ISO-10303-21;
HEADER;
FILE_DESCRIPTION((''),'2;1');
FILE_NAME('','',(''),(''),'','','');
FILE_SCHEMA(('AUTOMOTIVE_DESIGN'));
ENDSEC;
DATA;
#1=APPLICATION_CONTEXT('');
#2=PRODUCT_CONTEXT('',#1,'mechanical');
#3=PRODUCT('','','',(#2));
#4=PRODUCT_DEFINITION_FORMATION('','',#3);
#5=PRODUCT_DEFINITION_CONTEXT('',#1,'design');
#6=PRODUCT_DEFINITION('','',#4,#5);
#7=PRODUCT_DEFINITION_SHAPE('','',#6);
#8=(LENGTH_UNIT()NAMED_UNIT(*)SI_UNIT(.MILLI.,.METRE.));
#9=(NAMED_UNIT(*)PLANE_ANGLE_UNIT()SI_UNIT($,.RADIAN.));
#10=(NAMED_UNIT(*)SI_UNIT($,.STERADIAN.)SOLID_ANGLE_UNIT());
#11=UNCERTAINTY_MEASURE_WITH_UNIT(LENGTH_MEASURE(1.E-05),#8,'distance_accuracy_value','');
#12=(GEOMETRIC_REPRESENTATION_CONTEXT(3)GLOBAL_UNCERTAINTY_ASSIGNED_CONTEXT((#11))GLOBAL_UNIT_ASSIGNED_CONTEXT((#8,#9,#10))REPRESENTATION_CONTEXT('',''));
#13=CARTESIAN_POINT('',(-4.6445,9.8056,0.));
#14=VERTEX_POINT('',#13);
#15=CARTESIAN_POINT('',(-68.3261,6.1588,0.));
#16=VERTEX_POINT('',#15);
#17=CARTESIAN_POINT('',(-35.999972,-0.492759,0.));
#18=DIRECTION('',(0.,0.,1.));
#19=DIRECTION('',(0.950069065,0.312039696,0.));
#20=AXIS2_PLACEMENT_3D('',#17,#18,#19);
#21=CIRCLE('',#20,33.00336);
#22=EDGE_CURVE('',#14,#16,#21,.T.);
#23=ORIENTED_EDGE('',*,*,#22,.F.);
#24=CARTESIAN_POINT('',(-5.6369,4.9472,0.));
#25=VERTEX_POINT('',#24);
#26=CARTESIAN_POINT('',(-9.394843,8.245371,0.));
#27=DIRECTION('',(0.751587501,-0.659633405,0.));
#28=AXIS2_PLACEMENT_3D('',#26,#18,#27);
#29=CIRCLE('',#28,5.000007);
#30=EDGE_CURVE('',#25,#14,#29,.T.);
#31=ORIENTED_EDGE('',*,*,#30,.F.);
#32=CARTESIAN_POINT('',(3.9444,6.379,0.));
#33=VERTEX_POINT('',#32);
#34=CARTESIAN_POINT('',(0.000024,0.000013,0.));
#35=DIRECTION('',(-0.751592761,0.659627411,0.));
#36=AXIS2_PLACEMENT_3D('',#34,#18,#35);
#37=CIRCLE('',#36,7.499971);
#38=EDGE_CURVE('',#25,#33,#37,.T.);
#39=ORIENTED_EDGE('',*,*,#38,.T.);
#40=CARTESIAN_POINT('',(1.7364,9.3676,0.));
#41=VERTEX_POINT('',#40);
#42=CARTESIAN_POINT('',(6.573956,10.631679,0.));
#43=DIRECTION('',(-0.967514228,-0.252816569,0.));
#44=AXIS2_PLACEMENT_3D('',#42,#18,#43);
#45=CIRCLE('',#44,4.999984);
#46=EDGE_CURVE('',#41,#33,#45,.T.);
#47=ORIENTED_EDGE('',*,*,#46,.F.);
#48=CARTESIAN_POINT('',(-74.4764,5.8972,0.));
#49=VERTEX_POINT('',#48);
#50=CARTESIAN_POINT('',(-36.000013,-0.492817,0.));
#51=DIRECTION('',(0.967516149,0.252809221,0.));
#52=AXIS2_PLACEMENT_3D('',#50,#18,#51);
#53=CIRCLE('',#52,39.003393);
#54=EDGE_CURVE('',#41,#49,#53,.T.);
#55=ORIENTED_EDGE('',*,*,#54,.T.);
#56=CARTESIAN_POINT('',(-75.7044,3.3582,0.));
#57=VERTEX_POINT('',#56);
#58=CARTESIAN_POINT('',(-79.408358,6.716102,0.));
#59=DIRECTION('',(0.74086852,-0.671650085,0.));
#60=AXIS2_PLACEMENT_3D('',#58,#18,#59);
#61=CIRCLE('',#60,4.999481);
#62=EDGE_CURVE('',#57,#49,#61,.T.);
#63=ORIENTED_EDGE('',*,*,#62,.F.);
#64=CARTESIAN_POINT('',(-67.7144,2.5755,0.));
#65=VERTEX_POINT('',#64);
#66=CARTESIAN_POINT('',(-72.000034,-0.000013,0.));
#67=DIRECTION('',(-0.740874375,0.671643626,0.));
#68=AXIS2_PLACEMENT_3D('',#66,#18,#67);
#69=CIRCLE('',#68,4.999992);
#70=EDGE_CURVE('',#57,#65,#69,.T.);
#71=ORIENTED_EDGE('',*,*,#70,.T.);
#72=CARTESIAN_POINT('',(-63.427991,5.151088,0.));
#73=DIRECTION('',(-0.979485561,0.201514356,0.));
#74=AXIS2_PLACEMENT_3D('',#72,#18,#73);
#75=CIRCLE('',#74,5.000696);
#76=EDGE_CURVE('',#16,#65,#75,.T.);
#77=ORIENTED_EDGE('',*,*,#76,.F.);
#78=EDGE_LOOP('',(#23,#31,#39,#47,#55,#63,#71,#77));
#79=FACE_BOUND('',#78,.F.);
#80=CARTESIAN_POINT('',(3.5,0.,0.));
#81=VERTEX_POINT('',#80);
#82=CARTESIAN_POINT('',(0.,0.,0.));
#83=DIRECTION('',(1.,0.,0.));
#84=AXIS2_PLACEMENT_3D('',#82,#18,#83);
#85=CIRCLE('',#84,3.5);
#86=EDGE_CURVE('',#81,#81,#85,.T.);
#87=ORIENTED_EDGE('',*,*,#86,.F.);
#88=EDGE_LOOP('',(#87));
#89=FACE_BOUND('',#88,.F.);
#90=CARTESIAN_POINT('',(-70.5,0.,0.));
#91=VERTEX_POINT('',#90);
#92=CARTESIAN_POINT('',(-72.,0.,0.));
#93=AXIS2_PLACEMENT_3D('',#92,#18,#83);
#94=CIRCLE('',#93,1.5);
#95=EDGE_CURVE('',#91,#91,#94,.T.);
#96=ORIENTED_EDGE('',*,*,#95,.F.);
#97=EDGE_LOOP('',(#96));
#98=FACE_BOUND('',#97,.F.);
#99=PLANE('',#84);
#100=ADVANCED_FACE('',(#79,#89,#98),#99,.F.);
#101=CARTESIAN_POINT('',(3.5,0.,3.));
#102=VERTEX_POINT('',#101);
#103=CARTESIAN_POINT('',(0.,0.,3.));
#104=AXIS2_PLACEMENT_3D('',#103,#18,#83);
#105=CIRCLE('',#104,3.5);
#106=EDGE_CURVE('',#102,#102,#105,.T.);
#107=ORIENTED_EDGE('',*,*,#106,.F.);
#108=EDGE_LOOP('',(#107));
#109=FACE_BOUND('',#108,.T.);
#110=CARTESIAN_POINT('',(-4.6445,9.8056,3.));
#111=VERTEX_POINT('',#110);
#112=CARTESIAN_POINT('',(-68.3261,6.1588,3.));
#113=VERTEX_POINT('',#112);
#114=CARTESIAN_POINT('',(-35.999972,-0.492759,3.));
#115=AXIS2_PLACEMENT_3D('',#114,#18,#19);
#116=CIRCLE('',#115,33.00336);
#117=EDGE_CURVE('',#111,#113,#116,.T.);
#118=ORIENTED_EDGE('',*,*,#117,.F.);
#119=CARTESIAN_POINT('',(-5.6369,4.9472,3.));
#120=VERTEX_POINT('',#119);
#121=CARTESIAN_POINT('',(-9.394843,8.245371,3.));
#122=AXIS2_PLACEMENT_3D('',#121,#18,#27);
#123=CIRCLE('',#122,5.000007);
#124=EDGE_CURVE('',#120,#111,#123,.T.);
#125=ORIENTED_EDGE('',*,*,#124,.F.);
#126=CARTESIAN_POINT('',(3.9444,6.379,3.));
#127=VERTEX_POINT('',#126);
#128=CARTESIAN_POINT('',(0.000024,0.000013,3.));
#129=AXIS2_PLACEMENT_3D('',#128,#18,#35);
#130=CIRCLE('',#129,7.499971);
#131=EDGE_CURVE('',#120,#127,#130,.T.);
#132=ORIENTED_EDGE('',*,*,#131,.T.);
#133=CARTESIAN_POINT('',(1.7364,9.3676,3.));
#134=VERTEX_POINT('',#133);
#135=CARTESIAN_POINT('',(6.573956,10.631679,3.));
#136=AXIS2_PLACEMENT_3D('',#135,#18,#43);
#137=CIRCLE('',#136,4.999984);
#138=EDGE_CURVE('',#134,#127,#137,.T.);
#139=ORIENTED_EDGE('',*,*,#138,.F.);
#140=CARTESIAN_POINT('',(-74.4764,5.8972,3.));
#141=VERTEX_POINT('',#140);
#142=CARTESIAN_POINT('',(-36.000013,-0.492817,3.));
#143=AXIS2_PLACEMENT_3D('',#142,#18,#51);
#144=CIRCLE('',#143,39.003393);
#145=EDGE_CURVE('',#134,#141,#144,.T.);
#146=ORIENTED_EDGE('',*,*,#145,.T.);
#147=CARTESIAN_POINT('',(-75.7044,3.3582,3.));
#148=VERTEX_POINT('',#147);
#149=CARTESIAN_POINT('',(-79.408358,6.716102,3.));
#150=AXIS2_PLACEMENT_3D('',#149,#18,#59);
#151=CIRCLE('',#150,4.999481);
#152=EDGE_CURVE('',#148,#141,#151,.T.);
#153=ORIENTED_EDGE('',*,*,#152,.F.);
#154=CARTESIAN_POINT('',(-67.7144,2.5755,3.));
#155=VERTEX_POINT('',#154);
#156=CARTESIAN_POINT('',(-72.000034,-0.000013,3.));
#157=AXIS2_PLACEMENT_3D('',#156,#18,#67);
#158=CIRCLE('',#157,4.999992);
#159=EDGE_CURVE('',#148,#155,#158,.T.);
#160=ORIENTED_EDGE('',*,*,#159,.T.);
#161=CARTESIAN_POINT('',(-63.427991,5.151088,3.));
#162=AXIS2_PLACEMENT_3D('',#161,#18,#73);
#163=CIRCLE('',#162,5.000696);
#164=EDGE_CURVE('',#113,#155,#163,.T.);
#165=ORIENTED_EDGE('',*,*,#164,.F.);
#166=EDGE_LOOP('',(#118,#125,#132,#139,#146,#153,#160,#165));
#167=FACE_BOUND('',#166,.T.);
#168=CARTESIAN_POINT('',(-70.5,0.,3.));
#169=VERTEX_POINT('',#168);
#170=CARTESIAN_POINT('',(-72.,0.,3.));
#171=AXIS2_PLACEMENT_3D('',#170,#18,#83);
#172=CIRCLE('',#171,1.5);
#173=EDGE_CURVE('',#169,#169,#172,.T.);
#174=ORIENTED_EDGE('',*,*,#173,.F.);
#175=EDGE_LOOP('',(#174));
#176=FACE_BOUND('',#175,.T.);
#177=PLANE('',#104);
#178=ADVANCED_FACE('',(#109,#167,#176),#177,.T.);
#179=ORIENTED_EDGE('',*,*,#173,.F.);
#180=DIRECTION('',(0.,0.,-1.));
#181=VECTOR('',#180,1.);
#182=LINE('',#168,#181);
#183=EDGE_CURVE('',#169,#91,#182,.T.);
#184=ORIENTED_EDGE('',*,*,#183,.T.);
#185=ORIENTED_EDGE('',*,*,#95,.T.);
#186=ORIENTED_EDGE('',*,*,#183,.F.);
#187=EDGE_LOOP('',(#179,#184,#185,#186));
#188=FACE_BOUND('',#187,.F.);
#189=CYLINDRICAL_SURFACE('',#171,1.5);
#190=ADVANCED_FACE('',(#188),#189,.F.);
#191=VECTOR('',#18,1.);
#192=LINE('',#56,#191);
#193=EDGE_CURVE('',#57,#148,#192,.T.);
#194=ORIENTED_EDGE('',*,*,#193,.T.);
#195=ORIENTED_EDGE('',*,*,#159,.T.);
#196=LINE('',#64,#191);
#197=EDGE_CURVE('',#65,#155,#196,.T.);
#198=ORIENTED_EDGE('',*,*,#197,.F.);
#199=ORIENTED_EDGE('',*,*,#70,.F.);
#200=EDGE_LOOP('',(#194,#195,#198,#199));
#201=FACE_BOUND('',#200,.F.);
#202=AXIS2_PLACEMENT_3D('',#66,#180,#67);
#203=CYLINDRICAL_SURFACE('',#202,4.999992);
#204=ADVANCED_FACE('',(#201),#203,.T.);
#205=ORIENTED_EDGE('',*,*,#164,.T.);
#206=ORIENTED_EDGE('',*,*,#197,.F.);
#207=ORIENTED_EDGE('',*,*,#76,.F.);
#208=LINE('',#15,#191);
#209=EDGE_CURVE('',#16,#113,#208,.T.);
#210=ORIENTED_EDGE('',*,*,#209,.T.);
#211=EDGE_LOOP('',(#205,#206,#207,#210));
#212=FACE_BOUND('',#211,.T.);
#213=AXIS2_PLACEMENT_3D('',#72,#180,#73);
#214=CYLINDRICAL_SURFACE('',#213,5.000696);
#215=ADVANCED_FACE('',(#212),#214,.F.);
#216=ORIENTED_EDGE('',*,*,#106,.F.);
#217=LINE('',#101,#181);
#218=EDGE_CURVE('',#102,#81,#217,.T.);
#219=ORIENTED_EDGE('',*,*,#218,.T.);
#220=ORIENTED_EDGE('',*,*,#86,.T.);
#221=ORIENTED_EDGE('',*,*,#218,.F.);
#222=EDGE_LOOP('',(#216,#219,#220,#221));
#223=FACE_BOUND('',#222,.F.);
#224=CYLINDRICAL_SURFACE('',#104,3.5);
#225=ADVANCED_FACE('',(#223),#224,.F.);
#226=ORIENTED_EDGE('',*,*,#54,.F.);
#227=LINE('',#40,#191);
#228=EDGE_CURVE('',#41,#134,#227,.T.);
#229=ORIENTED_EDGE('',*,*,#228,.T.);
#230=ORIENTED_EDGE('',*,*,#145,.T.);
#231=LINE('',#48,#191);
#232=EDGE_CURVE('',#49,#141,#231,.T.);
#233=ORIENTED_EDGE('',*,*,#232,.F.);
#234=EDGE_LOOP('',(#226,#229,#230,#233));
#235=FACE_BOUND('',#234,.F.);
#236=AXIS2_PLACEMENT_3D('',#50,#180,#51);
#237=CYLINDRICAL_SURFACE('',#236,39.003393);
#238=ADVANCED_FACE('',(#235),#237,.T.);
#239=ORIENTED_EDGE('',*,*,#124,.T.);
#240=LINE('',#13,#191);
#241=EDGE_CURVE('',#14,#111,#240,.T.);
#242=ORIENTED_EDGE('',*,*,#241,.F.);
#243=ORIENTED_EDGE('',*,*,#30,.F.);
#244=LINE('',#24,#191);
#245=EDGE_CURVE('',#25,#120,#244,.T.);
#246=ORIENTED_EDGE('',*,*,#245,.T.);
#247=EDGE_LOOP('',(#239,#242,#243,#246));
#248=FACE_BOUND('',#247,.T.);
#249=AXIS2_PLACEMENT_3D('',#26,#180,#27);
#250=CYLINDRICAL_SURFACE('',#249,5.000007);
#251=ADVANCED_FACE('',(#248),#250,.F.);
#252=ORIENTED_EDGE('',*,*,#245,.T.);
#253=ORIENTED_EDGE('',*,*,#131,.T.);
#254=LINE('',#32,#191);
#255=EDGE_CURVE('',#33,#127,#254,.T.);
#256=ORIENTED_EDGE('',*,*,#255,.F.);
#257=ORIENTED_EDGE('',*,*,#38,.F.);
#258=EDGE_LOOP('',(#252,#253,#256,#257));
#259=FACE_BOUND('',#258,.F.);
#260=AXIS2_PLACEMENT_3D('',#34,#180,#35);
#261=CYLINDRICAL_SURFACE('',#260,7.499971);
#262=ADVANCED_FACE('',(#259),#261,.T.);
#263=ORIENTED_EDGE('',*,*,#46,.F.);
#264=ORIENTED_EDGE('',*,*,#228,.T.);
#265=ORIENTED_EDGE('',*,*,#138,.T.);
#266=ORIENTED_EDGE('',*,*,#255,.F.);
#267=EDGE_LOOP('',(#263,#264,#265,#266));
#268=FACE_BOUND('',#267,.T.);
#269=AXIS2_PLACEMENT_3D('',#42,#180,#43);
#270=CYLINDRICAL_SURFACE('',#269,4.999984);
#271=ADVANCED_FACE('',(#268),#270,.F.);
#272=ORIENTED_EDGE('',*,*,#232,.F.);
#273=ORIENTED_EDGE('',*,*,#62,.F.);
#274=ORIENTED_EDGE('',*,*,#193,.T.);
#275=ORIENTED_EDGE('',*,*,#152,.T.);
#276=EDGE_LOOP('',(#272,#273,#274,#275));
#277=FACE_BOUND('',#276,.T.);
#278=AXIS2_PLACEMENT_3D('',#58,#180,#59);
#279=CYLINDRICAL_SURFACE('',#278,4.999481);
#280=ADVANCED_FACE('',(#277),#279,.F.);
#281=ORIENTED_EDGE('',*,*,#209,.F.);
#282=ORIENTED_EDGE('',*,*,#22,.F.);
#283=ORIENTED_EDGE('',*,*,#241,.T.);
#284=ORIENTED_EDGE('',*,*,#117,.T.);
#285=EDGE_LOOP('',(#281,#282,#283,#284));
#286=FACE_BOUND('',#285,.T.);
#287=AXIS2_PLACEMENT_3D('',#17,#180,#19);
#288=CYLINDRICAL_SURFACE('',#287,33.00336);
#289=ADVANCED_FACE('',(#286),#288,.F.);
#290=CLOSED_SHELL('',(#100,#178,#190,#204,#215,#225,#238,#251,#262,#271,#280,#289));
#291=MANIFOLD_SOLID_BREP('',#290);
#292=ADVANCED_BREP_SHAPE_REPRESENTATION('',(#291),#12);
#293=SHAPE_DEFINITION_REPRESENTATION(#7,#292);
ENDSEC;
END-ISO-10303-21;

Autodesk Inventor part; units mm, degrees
ref_plane "YZ Plane" through (0, 0, 0) normal (1, 0, 0) x (0, 1, 0)
ref_plane "XZ Plane" through (0, 0, 0) normal (0, 1, 0) x (-1, 0, 0)
ref_plane "XY Plane" through (0, 0, 0) normal (0, 0, 1) x (1, 0, 0)
sketch "Sketch1" plane through (0, 0, 0) normal (0, 0, 1) x (1, 0, 0)
  line L0 (0, 0) -> (-72, 0) construction
  arc A0 (0, 0) -> (-72, 0) centre (-36, -0.4928) ccw
  arc A1 (1.7364, 9.3676) -> (-74.4764, 5.8972) centre (-36, -0.4928) ccw
  arc A2 (-75.7044, 3.3582) -> (-67.7144, 2.5755) centre (-72, 0) ccw
  arc A3 (-5.6369, 4.9472) -> (3.9444, 6.379) centre (0, 0) ccw
  arc A4 (-2.9997, -0.0411) -> (-3.0003, 0) centre (-36, -0.4928) ccw
  arc A5 (-4.6445, 9.8056) -> (-68.3261, 6.1588) centre (-36, -0.4928) ccw
  arc A6 (-68.9997, 0) -> (-69.0003, -0.0411) centre (-36, -0.4928) ccw
  arc A7 (-68.3261, 6.1588) -> (-67.7144, 2.5755) centre (-63.4287, 5.1511) ccw
  arc A8 (-75.7044, 3.3582) -> (-74.4764, 5.8972) centre (-79.4088, 6.7164) ccw
  arc A9 (-5.6369, 4.9472) -> (-4.6445, 9.8056) centre (-9.3949, 8.2454) ccw
  arc A10 (1.7364, 9.3676) -> (3.9444, 6.379) centre (6.574, 10.6317) ccw
  point P0 (19.05, 139.7)
  point P1 (-67, 0)
  dimension "d79" = 72
  dimension "d83" = 3
  dimension "d85" = 10
  dimension "d86" = 15
  dimension "d87" = 5
extrude "Extrusion1" add sketch "Sketch1" along normal blind 3
sketch "Sketch12" plane through (0, 0, 3) normal (0, 0, 1) x (1, 0, 0)
  circle A0 centre (0, 0) radius 3.5
  arc A1 (-77, 0) -> (-67, 0) centre (-72, 0) ccw projected
  circle A2 centre (-72, 0) radius 1.5
  point P0 (-97.2205, 0)
  dimension "d70" = 7
  dimension "d82" = 3
extrude "Extrusion11" cut sketch "Sketch12" against normal blind 5
properties part number "Beta_dummyarm"
